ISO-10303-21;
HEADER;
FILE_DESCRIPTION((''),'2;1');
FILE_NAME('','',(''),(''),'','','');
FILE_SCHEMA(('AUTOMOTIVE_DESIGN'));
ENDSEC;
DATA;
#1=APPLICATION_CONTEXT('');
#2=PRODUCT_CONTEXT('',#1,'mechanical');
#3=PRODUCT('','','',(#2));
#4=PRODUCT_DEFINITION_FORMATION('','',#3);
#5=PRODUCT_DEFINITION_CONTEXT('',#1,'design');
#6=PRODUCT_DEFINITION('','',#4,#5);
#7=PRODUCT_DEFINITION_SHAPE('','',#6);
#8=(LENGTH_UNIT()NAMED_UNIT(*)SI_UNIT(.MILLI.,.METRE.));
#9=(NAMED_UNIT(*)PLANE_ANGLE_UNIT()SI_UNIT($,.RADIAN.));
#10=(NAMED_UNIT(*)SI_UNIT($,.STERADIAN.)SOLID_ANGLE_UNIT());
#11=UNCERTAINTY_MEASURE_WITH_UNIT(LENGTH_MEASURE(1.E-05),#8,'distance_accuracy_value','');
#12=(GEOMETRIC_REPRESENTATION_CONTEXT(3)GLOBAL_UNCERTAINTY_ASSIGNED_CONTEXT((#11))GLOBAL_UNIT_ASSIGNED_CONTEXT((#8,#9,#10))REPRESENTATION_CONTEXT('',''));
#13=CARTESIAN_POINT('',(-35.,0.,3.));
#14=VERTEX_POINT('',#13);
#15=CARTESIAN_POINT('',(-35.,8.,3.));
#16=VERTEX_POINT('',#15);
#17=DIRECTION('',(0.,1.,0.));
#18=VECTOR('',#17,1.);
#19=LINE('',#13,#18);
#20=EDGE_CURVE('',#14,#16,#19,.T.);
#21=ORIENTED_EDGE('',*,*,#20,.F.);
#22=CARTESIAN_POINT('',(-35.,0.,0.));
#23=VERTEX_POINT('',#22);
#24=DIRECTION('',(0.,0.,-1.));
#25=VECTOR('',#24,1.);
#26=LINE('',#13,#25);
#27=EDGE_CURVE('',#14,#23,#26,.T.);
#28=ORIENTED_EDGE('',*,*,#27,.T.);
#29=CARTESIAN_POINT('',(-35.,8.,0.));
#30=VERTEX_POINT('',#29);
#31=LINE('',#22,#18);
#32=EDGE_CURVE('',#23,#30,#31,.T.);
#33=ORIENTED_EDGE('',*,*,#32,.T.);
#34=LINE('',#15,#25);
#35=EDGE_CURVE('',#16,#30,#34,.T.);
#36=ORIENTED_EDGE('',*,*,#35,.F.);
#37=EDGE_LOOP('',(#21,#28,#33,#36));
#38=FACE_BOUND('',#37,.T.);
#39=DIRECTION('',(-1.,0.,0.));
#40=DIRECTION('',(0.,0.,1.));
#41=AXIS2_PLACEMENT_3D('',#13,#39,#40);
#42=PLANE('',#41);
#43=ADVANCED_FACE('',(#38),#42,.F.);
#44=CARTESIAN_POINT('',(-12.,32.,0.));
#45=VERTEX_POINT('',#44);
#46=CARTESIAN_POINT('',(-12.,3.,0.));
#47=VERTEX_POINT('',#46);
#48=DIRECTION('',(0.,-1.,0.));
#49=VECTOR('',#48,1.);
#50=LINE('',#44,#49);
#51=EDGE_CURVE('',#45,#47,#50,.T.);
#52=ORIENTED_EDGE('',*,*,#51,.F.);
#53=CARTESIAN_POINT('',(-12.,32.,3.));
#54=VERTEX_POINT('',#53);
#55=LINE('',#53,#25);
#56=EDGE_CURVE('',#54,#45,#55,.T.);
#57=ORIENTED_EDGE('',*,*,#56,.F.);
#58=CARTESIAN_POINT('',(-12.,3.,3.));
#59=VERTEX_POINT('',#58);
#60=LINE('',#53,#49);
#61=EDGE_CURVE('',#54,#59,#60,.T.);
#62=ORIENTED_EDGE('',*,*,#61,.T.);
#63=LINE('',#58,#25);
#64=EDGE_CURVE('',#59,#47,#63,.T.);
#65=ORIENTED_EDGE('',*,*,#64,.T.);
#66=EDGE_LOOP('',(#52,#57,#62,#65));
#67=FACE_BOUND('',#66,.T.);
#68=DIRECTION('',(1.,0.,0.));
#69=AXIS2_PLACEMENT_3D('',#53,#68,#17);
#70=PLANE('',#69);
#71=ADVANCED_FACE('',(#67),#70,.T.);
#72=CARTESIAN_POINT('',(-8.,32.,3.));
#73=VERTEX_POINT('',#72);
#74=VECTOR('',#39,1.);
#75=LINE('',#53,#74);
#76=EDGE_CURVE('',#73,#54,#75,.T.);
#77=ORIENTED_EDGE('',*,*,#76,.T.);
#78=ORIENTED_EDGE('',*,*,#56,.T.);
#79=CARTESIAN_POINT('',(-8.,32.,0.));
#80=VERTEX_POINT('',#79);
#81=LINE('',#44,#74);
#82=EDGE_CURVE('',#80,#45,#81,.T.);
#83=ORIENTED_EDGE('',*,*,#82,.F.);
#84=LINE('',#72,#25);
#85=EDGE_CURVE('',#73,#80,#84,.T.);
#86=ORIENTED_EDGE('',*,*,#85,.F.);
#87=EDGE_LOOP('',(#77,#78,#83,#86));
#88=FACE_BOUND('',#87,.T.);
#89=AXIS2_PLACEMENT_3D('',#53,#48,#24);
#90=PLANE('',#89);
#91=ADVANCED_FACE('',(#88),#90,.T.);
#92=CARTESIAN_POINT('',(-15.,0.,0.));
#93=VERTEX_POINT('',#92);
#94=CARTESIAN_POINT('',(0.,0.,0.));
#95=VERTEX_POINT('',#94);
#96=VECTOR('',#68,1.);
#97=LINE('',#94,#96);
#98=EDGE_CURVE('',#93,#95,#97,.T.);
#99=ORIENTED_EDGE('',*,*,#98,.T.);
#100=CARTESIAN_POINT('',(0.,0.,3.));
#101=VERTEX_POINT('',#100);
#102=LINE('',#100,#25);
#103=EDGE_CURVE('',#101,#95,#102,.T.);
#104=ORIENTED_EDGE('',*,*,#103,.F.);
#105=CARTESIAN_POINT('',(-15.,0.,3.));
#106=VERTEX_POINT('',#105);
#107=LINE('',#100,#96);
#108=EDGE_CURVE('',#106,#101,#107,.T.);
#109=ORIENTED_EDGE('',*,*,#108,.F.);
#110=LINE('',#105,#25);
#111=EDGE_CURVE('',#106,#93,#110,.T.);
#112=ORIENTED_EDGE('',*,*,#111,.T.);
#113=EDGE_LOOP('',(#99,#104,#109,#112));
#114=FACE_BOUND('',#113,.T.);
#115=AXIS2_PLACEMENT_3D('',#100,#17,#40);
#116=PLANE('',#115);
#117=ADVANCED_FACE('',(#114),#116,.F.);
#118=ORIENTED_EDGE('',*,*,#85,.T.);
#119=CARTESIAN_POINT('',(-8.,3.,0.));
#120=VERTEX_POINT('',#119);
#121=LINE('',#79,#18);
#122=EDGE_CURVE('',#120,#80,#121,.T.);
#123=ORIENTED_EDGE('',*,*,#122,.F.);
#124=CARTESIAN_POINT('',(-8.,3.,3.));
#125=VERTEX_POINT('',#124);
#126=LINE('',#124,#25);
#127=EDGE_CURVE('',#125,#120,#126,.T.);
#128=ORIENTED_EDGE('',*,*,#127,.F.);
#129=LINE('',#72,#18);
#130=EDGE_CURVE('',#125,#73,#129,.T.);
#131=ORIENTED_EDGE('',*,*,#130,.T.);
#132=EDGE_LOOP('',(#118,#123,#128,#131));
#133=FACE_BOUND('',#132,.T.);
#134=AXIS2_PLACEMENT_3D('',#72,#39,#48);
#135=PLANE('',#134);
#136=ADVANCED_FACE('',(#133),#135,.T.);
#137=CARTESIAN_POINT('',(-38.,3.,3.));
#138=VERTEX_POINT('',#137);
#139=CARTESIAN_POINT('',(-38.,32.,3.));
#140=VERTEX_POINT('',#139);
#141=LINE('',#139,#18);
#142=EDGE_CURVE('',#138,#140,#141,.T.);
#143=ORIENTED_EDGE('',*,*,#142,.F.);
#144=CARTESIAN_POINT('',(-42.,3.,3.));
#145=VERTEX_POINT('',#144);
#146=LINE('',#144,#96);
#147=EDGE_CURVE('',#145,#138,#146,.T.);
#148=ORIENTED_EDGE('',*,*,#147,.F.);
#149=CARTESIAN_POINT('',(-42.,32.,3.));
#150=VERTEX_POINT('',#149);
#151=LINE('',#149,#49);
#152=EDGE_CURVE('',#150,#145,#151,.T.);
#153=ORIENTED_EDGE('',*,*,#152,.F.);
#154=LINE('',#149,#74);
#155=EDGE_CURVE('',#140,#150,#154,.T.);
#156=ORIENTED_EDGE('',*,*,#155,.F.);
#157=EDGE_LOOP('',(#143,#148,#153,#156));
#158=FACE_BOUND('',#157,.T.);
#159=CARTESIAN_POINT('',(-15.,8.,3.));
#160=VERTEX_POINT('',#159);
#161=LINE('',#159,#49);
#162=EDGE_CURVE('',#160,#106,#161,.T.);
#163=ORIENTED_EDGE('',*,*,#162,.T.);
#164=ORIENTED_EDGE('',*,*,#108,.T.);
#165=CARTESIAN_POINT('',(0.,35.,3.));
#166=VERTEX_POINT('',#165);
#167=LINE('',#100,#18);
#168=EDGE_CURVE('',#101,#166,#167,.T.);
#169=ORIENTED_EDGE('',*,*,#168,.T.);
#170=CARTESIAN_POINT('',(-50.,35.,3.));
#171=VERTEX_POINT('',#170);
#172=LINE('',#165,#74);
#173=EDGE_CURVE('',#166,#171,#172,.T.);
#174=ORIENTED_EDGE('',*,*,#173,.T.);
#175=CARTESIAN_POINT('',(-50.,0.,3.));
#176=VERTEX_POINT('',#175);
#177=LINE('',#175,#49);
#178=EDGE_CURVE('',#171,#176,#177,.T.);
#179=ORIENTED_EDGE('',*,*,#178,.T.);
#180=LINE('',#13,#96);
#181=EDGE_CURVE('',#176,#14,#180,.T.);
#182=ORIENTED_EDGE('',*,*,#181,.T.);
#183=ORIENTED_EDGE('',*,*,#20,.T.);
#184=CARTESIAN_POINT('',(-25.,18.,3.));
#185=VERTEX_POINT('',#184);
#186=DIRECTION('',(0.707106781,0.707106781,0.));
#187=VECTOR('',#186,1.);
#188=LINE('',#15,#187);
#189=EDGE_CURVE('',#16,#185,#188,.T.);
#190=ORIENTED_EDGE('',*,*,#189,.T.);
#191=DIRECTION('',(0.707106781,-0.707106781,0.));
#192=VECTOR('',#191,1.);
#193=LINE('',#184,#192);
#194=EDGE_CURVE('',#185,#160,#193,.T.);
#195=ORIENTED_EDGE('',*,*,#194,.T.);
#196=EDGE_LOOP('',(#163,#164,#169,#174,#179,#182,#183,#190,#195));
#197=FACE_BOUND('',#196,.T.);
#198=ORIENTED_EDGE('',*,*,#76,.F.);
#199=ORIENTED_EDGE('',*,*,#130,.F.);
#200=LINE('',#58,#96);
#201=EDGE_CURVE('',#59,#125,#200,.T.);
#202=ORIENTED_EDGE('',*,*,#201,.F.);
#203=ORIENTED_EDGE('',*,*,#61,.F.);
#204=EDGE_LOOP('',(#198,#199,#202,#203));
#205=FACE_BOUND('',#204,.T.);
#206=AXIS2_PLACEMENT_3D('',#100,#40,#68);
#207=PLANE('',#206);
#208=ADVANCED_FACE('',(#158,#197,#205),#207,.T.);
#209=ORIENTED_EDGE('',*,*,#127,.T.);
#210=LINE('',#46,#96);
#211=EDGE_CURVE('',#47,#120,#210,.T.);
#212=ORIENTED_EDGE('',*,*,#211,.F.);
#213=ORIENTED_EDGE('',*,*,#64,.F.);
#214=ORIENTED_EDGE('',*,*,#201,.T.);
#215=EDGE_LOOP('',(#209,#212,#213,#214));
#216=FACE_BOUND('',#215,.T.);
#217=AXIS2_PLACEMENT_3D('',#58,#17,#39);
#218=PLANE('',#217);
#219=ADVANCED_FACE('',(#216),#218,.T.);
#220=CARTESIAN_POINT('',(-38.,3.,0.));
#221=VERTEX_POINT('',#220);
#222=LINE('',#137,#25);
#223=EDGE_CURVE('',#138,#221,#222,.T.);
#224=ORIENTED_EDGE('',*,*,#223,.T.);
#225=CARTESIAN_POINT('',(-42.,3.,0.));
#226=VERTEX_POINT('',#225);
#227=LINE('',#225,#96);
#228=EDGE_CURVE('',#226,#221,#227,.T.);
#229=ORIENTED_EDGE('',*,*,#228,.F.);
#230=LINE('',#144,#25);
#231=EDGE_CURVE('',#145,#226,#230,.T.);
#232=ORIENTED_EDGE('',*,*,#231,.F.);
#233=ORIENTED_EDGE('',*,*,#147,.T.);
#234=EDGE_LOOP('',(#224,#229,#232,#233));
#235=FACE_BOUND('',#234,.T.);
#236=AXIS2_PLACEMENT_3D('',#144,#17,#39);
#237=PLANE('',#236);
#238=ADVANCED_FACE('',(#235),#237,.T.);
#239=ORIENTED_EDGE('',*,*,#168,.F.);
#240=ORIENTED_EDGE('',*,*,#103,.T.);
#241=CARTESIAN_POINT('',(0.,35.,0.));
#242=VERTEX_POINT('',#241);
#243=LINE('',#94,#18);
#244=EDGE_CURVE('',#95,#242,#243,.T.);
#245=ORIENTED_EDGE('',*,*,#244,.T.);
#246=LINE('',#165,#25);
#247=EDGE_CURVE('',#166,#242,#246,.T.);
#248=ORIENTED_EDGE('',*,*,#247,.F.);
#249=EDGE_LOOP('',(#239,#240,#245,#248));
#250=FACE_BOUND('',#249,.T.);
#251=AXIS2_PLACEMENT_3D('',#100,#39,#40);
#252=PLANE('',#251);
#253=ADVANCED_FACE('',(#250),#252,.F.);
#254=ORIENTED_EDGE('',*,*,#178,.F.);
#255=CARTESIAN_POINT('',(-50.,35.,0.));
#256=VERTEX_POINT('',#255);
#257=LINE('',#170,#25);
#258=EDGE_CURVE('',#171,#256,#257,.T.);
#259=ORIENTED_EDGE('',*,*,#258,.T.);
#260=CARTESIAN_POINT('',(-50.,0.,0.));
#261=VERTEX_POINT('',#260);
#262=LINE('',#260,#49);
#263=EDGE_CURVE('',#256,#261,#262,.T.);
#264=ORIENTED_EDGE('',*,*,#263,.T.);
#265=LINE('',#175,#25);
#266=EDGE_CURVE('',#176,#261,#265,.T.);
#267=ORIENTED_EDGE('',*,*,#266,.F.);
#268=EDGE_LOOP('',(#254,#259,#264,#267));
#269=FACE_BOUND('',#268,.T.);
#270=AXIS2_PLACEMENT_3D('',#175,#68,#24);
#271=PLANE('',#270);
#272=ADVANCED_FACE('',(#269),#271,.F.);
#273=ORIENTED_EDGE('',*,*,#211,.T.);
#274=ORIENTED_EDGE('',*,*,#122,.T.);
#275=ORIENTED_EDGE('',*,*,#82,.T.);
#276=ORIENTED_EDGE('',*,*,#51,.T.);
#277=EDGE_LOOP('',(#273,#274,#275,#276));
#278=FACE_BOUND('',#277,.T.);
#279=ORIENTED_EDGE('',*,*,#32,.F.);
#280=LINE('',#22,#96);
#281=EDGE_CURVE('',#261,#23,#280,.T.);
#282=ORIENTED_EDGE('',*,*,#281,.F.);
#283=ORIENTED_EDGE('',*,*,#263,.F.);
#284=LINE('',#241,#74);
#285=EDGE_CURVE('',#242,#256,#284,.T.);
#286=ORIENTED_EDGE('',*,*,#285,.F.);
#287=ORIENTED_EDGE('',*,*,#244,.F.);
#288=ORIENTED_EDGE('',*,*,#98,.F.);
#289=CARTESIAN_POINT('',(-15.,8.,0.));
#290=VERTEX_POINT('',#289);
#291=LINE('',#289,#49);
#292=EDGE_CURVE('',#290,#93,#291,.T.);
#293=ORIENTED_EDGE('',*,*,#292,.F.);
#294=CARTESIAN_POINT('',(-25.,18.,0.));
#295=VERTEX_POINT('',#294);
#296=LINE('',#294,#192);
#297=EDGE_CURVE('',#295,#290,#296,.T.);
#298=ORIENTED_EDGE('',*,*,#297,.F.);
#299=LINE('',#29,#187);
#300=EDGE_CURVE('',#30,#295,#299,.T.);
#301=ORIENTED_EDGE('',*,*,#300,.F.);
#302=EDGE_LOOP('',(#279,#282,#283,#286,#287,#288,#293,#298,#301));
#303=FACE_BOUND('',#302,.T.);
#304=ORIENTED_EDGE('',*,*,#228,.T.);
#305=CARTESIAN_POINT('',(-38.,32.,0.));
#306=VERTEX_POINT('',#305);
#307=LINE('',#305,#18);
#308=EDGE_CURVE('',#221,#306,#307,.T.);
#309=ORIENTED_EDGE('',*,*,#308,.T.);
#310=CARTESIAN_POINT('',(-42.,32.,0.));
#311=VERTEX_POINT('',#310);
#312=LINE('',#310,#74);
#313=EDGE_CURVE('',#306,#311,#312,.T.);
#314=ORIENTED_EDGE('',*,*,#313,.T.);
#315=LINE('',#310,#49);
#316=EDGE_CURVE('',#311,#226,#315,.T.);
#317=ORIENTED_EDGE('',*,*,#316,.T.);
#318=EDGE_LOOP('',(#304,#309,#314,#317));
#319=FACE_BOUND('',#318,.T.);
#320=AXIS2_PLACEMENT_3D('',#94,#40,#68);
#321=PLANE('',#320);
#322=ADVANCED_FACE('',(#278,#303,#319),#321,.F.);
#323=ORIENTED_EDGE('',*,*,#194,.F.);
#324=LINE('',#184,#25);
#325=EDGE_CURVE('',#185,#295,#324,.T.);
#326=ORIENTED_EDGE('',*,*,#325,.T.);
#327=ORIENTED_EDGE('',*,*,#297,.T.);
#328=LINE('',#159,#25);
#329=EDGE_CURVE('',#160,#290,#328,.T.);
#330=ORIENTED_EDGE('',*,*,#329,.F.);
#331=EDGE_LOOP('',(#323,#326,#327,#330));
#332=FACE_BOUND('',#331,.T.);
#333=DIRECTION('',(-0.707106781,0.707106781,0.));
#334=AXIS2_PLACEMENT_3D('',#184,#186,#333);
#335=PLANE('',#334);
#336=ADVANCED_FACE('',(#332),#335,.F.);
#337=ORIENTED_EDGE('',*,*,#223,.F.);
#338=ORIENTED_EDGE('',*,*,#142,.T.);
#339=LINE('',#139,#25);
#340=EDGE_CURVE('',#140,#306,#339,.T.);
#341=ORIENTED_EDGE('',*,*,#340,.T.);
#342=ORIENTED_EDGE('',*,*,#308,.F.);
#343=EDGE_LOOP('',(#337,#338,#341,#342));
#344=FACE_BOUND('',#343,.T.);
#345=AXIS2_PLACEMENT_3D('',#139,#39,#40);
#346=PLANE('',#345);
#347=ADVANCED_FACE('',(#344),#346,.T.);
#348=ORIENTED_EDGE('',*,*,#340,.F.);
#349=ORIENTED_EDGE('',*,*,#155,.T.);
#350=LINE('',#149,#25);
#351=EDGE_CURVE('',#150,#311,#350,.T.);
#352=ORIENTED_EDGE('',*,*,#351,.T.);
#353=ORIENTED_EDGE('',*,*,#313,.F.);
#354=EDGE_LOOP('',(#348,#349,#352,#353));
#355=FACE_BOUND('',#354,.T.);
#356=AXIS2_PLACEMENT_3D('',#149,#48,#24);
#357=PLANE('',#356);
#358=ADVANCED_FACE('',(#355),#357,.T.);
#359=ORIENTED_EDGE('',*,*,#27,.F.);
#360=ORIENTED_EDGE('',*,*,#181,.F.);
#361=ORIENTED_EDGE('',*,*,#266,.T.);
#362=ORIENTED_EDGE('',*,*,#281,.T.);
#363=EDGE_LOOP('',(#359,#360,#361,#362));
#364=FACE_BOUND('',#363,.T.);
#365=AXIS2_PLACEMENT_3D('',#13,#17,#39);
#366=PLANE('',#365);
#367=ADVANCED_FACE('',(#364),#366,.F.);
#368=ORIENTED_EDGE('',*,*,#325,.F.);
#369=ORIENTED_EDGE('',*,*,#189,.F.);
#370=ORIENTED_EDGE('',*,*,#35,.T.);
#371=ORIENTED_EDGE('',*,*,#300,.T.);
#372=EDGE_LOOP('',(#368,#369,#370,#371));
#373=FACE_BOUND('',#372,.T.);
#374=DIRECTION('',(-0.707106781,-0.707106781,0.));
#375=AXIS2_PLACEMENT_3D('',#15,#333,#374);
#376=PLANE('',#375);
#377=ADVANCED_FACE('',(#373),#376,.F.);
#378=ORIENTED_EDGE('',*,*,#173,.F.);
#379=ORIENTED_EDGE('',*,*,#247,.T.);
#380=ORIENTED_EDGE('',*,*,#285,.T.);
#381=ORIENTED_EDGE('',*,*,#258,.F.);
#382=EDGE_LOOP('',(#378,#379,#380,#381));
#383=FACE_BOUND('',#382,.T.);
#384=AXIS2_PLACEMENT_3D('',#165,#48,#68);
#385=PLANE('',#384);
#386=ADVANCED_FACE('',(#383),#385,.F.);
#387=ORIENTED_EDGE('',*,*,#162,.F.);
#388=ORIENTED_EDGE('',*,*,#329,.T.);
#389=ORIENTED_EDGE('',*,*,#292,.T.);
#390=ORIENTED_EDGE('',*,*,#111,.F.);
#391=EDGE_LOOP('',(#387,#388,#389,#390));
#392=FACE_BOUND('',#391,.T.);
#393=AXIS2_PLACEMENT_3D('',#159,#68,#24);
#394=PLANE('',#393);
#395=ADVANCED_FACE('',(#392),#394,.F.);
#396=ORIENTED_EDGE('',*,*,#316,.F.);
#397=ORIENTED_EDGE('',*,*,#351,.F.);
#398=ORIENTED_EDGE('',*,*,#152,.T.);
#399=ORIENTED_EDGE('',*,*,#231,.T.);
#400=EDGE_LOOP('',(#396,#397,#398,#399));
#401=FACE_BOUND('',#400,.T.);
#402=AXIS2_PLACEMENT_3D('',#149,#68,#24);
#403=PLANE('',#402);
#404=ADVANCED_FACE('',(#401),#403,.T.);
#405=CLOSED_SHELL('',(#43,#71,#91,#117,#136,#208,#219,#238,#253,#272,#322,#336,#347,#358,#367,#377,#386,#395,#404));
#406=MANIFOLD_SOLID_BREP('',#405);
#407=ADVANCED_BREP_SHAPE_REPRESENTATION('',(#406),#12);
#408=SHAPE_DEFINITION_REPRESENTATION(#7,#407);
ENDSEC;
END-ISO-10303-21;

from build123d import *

# Parameters (mm, degrees)
ESQUISSE1_W        = 4
ESQUISSE1_H        = 29
BOSS_EXTRU_2_DEPTH = 3


with BuildPart() as part:
    # Esquisse1 → Boss.-Extru.2 (new body)
    with BuildSketch(Plane.XY):
        Polygon((-35, 0), (-35, 8), (-25, 18), (-15, 8), (-15, 0), (0, 0), (0, 35), (-50, 35), (-50, 0), align=None)
        with Locations((-10, 17.5)):
            Rectangle(ESQUISSE1_W, ESQUISSE1_H, mode=Mode.SUBTRACT)
        with Locations((-40, 17.5)):
            Rectangle(ESQUISSE1_W, ESQUISSE1_H, mode=Mode.SUBTRACT)
    extrude(amount=BOSS_EXTRU_2_DEPTH)


solid = part.part
